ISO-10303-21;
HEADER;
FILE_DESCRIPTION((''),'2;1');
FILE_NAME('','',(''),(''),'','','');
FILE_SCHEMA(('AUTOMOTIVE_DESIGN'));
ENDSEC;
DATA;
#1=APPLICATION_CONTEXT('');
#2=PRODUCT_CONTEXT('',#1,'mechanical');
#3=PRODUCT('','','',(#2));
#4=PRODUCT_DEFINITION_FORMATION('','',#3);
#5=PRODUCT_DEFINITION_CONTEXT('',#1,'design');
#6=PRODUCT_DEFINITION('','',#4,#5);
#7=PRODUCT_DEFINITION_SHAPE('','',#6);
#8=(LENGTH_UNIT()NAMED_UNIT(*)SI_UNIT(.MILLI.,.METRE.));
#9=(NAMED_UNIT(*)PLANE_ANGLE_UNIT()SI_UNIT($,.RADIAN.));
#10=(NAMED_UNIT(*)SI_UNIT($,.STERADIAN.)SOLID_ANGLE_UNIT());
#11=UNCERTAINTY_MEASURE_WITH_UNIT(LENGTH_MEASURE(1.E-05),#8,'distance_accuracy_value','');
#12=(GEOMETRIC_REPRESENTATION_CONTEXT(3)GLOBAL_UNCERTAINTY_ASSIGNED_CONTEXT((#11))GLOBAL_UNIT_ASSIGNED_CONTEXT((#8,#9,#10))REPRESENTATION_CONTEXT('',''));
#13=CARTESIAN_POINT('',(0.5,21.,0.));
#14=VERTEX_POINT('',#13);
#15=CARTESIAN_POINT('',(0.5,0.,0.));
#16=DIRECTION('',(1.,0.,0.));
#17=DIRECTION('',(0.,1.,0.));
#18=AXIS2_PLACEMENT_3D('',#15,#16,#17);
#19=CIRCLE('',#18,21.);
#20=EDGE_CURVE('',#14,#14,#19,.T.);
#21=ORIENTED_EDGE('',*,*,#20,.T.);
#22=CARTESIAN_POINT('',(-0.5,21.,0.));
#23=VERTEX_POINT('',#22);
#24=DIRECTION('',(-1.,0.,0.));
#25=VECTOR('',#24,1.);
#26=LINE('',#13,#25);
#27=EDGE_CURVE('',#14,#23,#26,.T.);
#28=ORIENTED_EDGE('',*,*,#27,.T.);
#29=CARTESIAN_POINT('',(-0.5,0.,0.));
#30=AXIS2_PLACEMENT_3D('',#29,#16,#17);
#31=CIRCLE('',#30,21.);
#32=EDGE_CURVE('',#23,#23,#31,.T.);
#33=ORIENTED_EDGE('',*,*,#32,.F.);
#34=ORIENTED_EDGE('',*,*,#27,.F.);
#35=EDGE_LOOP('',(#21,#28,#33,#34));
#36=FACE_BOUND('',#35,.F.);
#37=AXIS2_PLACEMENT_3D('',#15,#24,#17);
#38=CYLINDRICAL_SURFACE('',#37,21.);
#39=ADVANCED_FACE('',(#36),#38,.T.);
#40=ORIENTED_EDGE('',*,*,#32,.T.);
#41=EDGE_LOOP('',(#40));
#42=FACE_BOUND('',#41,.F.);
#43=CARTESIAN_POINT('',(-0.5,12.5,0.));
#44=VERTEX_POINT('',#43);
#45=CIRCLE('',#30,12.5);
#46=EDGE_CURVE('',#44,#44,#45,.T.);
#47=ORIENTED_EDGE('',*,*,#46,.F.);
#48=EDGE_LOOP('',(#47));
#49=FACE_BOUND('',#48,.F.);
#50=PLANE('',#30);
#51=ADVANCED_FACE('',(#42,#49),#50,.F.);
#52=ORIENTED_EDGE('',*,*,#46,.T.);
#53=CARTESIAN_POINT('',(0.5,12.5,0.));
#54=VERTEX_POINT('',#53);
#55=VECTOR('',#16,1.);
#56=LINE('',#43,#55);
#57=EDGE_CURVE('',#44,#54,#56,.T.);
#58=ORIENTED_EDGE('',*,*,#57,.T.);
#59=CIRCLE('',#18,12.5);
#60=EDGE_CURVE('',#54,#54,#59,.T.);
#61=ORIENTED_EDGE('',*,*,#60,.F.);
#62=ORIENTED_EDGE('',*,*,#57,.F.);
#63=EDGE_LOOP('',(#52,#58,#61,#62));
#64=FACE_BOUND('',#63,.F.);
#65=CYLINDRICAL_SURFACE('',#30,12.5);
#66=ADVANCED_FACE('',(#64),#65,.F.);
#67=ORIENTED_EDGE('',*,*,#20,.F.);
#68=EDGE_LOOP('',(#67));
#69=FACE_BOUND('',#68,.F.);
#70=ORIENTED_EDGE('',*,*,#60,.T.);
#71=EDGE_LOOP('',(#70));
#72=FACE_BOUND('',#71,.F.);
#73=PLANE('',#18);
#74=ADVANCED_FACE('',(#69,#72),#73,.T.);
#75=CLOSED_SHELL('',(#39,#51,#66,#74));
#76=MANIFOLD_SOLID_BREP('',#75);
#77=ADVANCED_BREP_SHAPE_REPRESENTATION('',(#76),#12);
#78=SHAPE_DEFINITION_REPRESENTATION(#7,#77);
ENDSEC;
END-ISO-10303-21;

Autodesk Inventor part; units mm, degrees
sketch "Sketch_1" plane through (0, 0, 0) normal (0, 0, 1) x (1, 0, 0)
  line L0 (50, 0) -> (-50, 0)
  line L1 (-0.5, 12.5) -> (0.5, 12.5)
  line L2 (0.5, 12.5) -> (0.5, 21)
  line L3 (0.5, 21) -> (-0.5, 21)
  line L4 (-0.5, 21) -> (-0.5, 12.5)
revolve "Revolution1" add sketch "Sketch_1" angle 360 about axis through (50, 0, 0) along (1, 0, 0)
ref_plane "washer1_XY" through (0, 0, 0) normal (1, 0, 0) x (0, 0, -1)
ref_plane "washer1_YZ" through (0, 0, 0) normal (0, 0, -1) x (0, 1, 0)
ref_plane "washer1_ZX" through (0, 0, 0) normal (0, 1, 0) x (1, 0, 0)
ref_plane "washer2_XY" through (0, 0, 0) normal (1, 0, 0) x (0, 0, -1)
ref_plane "washer2_YZ" through (0, 0, 0) normal (0, 0, -1) x (0, 1, 0)
ref_plane "washer2_ZX" through (0, 0, 0) normal (0, 1, 0) x (1, 0, 0)
properties part number "BA2542_Washer" material "ステンレス鋼 440C"
